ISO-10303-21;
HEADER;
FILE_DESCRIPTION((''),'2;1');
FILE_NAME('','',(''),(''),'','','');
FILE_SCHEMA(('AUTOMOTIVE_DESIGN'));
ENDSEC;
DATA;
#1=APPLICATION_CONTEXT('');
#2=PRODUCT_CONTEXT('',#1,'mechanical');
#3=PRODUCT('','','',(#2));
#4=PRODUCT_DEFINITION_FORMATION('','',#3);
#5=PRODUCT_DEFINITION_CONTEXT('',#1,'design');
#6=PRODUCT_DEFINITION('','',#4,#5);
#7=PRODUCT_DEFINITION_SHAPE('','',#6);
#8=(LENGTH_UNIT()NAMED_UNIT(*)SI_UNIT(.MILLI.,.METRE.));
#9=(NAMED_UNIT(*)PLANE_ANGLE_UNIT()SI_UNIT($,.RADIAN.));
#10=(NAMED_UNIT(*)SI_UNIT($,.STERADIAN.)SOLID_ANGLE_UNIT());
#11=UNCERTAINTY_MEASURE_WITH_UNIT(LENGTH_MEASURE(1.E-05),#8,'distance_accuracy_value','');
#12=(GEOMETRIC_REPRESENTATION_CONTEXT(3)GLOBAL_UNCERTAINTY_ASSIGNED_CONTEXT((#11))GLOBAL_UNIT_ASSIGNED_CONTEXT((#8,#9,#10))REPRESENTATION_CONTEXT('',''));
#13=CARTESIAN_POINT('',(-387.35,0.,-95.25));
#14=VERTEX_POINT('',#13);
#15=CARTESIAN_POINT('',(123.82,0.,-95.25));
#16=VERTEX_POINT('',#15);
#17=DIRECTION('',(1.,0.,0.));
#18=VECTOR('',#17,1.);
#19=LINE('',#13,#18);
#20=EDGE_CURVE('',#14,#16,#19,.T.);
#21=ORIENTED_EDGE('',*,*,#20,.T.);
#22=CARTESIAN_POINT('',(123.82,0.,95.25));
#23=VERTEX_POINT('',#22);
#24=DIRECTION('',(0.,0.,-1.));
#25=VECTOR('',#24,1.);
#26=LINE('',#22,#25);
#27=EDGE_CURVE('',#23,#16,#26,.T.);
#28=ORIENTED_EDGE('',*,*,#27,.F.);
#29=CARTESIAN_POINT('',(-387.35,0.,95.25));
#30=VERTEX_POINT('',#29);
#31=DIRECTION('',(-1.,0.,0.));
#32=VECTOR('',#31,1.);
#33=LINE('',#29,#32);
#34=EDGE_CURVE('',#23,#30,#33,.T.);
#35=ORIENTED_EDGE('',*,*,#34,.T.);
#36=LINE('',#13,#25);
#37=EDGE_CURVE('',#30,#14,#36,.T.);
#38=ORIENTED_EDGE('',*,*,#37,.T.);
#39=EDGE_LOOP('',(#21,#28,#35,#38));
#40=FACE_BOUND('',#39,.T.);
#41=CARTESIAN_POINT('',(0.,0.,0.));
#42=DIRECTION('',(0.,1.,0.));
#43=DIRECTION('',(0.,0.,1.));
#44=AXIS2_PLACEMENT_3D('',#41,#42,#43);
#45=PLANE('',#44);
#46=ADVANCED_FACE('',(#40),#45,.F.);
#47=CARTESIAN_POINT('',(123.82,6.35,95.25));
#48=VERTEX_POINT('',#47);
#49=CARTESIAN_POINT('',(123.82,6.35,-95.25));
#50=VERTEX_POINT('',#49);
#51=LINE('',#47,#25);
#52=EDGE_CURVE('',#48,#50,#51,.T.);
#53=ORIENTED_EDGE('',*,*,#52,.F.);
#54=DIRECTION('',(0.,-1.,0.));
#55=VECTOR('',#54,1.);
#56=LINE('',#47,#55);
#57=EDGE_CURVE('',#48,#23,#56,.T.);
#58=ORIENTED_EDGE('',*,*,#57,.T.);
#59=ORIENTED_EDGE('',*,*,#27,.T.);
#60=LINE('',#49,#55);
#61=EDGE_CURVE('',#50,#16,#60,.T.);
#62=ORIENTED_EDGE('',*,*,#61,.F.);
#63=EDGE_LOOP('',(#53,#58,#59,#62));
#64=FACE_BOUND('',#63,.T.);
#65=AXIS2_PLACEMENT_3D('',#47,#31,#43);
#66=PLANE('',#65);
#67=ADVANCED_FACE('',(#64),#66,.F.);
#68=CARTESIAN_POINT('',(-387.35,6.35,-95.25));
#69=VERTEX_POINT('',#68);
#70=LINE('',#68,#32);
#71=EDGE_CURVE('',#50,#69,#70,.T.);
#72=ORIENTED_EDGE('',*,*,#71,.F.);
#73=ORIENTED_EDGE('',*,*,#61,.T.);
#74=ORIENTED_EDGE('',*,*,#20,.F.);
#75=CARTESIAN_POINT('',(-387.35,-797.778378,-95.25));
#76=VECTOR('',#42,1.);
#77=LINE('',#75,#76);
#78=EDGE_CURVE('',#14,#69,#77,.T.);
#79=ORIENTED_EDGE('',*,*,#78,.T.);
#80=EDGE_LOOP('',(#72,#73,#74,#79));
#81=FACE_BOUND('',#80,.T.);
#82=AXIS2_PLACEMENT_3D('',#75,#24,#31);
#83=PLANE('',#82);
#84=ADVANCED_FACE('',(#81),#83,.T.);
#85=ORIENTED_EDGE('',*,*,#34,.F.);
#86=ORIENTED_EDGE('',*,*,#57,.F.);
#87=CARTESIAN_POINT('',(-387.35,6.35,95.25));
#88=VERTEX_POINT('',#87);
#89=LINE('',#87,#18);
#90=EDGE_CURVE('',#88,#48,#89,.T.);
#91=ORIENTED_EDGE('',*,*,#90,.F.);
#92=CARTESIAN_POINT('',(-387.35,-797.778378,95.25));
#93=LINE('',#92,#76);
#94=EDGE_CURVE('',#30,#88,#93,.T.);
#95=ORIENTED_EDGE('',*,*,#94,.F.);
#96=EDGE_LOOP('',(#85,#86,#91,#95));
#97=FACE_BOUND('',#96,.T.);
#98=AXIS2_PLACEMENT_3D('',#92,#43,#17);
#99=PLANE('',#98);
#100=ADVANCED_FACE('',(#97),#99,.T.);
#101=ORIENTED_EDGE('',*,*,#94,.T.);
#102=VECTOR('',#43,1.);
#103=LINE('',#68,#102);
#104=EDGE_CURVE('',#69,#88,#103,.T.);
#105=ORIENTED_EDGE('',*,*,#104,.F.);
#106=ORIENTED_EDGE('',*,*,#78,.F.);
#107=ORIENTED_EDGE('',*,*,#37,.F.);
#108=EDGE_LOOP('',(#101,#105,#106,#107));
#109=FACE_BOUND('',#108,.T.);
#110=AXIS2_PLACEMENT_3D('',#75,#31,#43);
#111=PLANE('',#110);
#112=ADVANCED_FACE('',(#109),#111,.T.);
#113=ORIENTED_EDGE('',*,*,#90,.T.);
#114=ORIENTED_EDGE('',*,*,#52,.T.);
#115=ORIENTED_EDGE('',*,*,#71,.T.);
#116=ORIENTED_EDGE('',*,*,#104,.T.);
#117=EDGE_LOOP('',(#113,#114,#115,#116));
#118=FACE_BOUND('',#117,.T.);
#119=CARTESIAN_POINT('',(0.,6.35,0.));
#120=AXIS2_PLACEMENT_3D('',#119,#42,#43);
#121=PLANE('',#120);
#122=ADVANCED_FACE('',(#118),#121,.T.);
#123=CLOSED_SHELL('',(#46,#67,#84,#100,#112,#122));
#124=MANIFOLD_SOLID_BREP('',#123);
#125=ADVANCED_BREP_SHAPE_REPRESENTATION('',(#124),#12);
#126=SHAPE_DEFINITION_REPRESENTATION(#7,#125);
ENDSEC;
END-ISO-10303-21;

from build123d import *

# Parameters (mm, degrees)
SKETCH1_W           = 762
SKETCH1_H           = 177.8
BOSS_EXTRUDE1_DEPTH = 6.35
SKETCH5_W           = 774.7
SKETCH5_H           = 190.5
SKETCH5_W_2         = 762
SKETCH5_H_2         = 177.8
BOSS_EXTRUDE2_DEPTH = 6.35
SKETCH7_W           = 263.53
SKETCH7_H           = 190.5
CUT_EXTRUDE2_DEPTH  = 399.939729157


with BuildPart() as part:
    # Sketch1 → Boss-Extrude1 (new body)
    with BuildSketch(Plane(origin=(0, 0, 0), x_dir=(1, 0, 0), z_dir=(0, 1, 0))):
        Rectangle(SKETCH1_W, SKETCH1_H)
    extrude(amount=BOSS_EXTRUDE1_DEPTH)

    # Sketch5 → Boss-Extrude2 (add)
    with BuildSketch(Plane(origin=(0, 6.35, 0), x_dir=(1, 0, 0), z_dir=(0, 1, 0))):
        Rectangle(SKETCH5_W, SKETCH5_H)
        Rectangle(SKETCH5_W_2, SKETCH5_H_2, mode=Mode.SUBTRACT)
    extrude(amount=-BOSS_EXTRUDE2_DEPTH)

    # Sketch7 → Cut-Extrude2 (cut, through all)
    with BuildSketch(Plane.XZ):
        with Locations((255.585, 0)):
            Rectangle(SKETCH7_W, SKETCH7_H)
    extrude(amount=-CUT_EXTRUDE2_DEPTH, mode=Mode.SUBTRACT)


solid = part.part
